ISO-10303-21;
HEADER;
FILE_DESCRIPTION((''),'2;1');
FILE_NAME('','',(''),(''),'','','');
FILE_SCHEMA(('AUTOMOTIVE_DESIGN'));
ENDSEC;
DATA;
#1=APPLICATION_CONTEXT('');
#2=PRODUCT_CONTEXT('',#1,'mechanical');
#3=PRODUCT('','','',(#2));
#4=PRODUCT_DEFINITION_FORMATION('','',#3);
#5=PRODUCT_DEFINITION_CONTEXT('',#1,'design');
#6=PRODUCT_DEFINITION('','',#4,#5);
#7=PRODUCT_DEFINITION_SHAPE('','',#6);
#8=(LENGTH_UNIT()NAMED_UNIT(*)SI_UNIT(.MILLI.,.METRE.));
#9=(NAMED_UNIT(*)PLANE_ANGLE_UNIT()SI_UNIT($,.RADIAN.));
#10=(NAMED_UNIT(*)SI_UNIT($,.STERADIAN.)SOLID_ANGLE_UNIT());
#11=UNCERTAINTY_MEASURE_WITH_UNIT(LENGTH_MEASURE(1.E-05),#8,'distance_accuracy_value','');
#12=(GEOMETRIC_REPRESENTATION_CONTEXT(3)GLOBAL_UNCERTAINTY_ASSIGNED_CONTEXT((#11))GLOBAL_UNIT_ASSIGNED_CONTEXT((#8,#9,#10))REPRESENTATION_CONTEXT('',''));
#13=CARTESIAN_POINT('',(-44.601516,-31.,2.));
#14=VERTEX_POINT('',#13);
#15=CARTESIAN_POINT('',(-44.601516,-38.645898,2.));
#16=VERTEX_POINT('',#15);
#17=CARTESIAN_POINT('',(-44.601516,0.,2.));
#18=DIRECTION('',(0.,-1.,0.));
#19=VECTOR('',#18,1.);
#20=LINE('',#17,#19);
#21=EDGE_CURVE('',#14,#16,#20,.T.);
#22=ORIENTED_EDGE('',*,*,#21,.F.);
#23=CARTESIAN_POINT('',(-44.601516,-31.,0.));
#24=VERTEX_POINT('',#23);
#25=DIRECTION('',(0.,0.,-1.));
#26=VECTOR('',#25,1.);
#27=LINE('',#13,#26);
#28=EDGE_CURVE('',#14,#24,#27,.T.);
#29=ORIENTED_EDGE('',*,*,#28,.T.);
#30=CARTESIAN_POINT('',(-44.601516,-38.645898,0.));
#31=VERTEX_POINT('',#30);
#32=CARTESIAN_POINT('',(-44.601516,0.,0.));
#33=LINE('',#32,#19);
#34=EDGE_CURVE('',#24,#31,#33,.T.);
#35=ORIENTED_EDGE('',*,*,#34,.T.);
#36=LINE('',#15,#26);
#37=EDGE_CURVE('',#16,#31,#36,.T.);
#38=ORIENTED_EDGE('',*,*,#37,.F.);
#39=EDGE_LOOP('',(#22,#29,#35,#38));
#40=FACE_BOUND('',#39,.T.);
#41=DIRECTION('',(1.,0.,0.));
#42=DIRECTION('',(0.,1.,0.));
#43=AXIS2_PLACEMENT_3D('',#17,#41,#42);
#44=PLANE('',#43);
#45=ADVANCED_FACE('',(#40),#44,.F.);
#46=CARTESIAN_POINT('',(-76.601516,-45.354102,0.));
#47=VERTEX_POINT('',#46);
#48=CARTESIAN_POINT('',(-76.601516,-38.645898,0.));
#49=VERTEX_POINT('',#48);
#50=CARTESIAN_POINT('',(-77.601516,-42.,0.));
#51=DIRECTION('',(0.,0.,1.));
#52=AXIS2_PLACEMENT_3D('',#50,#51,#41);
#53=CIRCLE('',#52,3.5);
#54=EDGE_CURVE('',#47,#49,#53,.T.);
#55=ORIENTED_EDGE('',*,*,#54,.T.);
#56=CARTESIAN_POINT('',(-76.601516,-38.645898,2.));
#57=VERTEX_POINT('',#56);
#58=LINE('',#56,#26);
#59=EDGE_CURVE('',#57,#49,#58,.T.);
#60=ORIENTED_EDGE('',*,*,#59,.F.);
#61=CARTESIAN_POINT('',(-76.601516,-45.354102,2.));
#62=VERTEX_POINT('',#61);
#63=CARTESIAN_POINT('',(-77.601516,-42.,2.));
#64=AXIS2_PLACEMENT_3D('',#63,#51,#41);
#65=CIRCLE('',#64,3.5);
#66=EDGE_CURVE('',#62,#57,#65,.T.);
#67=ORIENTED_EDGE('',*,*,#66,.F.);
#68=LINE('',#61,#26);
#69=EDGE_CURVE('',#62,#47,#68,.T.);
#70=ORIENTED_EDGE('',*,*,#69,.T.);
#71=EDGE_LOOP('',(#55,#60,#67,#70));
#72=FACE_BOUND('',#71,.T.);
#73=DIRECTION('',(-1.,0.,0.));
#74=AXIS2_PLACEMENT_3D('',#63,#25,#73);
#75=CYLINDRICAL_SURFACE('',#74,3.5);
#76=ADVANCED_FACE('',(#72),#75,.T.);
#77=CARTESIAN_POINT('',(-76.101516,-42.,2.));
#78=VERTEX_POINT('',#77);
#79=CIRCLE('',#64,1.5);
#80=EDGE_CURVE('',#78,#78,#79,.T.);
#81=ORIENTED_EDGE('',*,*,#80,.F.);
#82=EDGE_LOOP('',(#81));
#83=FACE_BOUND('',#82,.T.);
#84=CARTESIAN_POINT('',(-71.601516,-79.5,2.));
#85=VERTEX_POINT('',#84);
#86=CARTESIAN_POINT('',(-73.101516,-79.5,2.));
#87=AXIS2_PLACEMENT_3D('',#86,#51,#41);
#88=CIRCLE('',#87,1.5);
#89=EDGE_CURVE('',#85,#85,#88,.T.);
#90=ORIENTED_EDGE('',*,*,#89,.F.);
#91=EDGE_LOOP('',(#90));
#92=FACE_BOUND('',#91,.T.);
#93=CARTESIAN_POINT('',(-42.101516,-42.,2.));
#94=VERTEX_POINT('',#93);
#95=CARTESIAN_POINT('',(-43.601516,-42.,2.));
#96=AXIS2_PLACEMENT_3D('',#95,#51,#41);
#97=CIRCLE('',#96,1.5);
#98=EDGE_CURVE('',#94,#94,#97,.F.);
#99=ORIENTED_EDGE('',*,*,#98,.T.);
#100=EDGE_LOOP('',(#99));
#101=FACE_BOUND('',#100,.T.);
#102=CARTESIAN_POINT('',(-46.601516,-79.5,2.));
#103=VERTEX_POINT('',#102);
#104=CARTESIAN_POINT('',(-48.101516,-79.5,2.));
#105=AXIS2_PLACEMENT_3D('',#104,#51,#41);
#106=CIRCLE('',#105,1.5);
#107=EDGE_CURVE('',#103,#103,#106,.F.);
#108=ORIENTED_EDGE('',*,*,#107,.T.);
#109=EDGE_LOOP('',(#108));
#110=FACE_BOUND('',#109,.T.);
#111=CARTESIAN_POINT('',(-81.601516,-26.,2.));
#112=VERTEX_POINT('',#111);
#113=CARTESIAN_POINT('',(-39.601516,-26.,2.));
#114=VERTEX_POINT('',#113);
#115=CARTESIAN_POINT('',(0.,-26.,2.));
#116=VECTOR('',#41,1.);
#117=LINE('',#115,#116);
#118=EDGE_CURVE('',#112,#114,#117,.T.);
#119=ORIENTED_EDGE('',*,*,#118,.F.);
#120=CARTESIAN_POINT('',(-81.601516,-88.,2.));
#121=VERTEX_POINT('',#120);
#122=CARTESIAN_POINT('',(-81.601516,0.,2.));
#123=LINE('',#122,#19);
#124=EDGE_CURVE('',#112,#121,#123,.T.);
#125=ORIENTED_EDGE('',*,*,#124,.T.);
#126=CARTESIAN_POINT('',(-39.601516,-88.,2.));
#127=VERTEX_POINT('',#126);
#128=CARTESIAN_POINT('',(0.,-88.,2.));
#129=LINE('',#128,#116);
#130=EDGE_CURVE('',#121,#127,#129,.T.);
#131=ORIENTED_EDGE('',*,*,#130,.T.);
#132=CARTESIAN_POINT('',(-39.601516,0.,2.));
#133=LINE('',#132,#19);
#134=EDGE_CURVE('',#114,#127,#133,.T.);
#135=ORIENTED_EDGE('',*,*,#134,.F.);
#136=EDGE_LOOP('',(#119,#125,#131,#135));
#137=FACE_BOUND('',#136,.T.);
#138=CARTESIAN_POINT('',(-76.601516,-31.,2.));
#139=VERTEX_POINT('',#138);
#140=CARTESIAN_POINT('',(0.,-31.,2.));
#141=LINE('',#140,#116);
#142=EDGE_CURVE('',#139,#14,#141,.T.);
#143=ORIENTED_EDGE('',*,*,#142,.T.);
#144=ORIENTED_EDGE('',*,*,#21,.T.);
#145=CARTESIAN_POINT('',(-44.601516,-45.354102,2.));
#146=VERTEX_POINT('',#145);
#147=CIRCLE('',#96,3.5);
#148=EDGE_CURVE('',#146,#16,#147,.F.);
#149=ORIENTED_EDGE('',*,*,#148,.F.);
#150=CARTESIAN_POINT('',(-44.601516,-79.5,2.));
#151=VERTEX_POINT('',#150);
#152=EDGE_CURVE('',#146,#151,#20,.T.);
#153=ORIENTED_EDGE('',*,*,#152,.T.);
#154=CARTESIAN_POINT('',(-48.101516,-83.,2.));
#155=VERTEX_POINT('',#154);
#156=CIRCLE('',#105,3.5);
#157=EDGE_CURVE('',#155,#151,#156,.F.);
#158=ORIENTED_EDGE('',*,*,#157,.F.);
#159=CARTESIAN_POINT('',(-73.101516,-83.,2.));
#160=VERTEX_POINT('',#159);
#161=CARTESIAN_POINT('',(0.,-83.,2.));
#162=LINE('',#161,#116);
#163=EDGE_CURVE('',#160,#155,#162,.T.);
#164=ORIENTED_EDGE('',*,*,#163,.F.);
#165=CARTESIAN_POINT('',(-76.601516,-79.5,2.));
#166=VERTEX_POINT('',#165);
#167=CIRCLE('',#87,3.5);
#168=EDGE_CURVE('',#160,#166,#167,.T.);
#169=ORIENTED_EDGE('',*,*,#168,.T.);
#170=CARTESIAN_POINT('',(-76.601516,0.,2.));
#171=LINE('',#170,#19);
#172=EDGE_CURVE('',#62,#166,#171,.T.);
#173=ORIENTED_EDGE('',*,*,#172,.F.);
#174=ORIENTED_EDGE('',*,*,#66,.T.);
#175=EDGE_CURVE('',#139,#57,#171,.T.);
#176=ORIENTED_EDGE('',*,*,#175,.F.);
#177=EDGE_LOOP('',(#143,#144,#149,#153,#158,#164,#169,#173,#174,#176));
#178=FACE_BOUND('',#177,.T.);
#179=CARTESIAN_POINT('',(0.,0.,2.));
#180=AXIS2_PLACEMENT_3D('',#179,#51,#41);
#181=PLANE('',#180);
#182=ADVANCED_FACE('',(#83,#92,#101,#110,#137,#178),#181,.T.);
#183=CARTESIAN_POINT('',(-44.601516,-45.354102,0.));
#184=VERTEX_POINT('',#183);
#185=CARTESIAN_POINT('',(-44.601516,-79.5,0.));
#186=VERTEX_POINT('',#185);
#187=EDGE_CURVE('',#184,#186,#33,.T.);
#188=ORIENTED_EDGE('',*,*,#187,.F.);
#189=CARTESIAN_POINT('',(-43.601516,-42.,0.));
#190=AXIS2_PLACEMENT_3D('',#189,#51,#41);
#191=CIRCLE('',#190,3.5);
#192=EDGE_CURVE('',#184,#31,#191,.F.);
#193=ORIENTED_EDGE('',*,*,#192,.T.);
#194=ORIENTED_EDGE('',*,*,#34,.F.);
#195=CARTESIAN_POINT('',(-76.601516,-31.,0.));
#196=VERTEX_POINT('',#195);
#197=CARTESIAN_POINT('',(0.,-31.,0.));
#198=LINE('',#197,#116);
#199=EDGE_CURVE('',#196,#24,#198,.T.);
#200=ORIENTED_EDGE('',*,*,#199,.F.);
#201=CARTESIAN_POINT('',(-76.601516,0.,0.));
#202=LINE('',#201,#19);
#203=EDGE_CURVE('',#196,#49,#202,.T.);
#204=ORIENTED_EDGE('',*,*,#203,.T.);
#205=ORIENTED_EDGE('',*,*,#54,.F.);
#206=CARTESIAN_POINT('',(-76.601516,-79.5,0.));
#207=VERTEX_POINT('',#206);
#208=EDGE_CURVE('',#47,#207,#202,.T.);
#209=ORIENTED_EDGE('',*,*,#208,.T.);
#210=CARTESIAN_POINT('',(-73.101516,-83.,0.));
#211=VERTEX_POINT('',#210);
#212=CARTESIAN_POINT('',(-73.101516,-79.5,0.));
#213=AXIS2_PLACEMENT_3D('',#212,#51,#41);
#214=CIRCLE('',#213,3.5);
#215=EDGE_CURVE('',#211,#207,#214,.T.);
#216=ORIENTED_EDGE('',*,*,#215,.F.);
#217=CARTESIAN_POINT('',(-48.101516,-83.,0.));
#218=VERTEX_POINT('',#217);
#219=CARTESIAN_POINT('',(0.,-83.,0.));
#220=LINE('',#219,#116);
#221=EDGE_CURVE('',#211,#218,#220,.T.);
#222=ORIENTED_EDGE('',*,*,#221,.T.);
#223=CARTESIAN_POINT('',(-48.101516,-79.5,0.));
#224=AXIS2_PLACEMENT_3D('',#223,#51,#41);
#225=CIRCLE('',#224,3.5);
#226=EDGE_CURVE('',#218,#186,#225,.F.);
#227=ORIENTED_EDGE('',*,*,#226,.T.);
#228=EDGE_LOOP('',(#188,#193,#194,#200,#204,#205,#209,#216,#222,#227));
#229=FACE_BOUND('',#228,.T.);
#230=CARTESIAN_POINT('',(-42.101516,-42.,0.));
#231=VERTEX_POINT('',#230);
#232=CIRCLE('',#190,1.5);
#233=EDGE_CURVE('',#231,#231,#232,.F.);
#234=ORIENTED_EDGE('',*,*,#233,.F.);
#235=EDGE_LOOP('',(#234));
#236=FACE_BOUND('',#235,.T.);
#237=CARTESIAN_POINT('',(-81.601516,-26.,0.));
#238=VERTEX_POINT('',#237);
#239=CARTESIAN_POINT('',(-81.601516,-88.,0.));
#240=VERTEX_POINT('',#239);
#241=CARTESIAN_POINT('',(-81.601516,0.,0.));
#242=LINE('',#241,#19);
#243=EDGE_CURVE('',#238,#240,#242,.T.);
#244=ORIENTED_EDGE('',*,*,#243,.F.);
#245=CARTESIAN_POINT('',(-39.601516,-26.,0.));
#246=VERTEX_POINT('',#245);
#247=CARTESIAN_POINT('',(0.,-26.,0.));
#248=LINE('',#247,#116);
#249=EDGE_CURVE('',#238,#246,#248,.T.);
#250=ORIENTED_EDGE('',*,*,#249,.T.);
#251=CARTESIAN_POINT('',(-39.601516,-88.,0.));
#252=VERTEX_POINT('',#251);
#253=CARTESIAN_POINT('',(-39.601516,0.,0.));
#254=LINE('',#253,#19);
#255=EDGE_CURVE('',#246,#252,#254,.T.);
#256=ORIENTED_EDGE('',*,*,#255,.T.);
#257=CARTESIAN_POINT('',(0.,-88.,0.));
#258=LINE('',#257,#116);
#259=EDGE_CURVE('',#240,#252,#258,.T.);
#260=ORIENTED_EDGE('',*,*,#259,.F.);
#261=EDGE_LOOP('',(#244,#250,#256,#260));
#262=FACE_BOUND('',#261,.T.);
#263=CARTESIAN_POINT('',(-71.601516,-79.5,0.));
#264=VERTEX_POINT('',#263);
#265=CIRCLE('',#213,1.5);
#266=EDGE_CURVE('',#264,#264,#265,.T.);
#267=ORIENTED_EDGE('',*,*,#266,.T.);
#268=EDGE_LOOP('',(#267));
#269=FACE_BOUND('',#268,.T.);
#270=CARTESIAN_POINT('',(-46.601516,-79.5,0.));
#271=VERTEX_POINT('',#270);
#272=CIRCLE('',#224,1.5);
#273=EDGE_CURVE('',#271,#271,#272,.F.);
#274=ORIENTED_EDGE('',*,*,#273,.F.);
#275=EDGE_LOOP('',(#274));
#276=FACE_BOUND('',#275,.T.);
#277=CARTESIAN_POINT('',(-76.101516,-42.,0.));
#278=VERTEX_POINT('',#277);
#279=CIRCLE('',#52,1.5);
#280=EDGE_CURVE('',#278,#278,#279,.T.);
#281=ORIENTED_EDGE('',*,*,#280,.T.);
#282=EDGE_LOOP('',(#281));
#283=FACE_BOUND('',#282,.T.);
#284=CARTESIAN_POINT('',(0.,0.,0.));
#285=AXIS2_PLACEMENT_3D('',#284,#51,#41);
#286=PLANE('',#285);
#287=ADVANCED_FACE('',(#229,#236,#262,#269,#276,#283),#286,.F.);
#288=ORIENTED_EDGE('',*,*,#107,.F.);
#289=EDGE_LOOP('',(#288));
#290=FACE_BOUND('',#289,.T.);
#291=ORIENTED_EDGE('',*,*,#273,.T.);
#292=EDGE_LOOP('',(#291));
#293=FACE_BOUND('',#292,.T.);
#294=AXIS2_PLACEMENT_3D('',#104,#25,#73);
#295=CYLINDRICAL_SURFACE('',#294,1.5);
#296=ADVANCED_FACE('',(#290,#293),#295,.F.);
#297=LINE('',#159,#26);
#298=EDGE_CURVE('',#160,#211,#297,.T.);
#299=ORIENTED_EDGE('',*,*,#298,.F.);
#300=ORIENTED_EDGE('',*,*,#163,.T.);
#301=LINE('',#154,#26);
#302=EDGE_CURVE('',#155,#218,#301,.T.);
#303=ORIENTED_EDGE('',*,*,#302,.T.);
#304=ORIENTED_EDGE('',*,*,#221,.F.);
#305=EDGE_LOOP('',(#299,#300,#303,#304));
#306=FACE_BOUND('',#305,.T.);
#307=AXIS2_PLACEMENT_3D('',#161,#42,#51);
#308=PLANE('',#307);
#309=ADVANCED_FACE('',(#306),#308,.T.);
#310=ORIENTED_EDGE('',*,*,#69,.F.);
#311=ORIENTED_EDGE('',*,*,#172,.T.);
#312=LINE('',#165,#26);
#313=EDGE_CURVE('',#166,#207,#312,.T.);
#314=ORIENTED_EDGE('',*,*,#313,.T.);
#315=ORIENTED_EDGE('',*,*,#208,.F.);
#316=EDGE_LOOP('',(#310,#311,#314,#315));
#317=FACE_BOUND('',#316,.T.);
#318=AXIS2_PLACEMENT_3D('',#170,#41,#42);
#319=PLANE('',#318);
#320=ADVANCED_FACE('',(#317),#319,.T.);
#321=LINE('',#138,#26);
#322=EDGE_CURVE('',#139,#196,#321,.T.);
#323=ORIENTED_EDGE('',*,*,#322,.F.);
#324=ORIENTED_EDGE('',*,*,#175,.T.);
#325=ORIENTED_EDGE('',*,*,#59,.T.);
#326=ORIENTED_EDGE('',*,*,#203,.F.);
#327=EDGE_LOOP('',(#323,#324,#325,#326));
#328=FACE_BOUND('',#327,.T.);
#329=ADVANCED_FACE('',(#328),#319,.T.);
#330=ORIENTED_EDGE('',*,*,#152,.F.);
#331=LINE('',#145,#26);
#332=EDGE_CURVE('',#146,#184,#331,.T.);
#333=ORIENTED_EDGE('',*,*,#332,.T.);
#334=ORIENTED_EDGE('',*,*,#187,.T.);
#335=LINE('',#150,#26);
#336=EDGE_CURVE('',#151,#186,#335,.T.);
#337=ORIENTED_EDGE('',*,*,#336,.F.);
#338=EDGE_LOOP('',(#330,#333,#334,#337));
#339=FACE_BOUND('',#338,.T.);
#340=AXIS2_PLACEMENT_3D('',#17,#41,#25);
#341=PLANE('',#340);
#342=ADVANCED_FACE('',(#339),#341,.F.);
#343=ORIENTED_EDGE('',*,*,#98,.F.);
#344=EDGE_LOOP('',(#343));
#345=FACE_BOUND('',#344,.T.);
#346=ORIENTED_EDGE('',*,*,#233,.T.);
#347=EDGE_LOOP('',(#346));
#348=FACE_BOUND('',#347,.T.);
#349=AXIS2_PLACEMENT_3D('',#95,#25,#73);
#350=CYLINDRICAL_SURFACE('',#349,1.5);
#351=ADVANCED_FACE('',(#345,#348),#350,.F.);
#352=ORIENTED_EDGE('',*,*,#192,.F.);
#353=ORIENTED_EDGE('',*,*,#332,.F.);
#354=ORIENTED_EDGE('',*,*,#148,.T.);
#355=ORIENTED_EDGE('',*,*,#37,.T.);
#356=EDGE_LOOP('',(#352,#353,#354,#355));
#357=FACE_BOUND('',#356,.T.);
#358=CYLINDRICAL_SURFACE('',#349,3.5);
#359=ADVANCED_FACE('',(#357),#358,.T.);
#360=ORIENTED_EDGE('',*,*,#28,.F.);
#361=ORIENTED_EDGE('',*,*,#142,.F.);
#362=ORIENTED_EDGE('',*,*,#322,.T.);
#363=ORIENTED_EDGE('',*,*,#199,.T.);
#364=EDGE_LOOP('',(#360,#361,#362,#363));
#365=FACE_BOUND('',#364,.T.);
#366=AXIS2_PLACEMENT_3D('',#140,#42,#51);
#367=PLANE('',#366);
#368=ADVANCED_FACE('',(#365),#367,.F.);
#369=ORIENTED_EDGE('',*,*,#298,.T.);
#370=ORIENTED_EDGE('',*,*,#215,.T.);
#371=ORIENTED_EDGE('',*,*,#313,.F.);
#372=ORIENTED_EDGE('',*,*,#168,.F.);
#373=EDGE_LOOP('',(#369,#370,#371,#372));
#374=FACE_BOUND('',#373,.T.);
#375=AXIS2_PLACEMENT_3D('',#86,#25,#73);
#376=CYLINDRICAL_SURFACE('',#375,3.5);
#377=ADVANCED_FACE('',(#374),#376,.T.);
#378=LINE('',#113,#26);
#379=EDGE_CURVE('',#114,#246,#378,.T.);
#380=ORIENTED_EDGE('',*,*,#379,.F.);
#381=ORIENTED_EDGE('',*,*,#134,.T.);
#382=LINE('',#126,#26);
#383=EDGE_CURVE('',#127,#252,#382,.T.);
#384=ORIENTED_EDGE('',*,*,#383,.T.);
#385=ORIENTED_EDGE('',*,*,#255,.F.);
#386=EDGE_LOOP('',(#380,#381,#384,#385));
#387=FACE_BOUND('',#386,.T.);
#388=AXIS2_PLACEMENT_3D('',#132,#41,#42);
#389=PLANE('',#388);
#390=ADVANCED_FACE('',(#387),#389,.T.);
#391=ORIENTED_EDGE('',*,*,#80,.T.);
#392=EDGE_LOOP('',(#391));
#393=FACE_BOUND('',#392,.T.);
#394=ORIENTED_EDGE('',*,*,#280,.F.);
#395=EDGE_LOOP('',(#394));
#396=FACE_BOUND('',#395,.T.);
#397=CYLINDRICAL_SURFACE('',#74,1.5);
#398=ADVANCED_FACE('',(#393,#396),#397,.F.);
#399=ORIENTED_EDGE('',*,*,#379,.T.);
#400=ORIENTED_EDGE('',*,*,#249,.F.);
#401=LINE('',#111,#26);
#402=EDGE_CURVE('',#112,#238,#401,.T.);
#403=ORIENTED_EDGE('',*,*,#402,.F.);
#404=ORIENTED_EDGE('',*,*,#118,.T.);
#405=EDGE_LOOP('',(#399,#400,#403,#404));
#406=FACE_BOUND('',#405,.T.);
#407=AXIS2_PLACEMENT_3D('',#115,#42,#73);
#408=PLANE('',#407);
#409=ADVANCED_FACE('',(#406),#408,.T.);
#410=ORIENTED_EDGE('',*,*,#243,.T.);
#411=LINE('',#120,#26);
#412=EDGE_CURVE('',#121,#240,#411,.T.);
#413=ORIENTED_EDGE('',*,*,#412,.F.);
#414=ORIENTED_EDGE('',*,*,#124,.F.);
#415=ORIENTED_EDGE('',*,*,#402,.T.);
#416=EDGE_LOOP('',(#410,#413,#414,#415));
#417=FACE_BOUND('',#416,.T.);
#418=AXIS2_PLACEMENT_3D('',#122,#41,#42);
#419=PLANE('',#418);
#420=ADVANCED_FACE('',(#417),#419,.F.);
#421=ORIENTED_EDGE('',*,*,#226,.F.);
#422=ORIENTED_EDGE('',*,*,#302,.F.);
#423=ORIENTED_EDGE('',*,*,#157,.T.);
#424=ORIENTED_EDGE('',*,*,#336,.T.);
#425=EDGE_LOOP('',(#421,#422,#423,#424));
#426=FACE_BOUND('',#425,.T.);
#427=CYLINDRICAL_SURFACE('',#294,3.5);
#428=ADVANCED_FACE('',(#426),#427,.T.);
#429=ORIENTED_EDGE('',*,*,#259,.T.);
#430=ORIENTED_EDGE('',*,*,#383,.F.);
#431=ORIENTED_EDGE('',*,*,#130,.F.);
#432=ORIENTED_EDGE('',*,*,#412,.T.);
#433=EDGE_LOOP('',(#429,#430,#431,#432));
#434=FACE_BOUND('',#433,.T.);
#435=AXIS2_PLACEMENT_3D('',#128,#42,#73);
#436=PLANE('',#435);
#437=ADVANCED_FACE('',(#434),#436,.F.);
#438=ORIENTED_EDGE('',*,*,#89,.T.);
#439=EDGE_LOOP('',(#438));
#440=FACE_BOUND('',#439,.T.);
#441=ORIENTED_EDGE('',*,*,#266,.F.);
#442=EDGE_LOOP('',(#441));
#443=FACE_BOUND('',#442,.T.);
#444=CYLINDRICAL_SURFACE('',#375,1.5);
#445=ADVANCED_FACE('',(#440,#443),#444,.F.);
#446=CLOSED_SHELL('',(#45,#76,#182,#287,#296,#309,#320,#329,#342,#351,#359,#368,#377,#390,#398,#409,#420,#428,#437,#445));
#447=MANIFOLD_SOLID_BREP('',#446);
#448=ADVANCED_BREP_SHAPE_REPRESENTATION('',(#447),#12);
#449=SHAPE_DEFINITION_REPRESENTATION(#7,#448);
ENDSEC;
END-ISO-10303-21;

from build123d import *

# Parameters (mm, degrees)
SKETCH1_R           = 3.5
SKETCH1_R_2         = 1.5
BOSS_EXTRUDE1_DEPTH = 2


with BuildPart() as part:
    # Sketch1 → Boss-Extrude1 (new body)
    with BuildSketch(Plane.XY):
        with BuildLine():
            ThreePointArc((-73.101516296, -83), (-75.576390016, -81.974873749), (-76.601516296, -79.500000041))
            Line((-76.601516296, -79.500000041), (-76.601516296, -83))
            Line((-76.601516296, -83), (-73.101516296, -83))
        make_face()
        with Locations((-73.101516296, -79.5)):
            Circle(SKETCH1_R)
        with Locations((-73.101516296, -79.5)):
            Circle(SKETCH1_R_2, mode=Mode.SUBTRACT)
        with BuildLine():
            Line((-44.601516296, -83), (-44.601516296, -79.5))
            ThreePointArc((-44.601516296, -79.5), (-45.626642562, -81.974873734), (-48.101516296, -83))
            Line((-48.101516296, -83), (-44.601516296, -83))
        make_face()
        with Locations((-48.101516296, -79.5)):
            Circle(SKETCH1_R)
        with Locations((-48.101516296, -79.5)):
            Circle(SKETCH1_R_2, mode=Mode.SUBTRACT)
        with BuildLine():
            ThreePointArc((-76.601516296, -50.477288358), (-79.44300278, -53.809155179), (-81.601516296, -57.61916848))
            Line((-81.601516296, -57.61916848), (-81.601516296, -76.38083152))
            ThreePointArc((-81.601516296, -76.38083152), (-76.864972263, -83.263455967), (-69.982347816, -88))
            Line((-69.982347816, -88), (-51.220684776, -88))
            ThreePointArc((-51.220684776, -88), (-44.338060329, -83.263455967), (-39.601516296, -76.38083152))
            Line((-39.601516296, -76.38083152), (-39.601516296, -57.61916848))
            ThreePointArc((-39.601516296, -57.61916848), (-41.760029812, -53.809155179), (-44.601516296, -50.477288358))
            Line((-44.601516296, -50.477288358), (-44.601516296, -79.5))
            Line((-44.601516296, -79.5), (-44.601516296, -83))
            Line((-44.601516296, -83), (-48.101516296, -83))
            Line((-48.101516296, -83), (-73.101516296, -83))
            Line((-73.101516296, -83), (-76.601516296, -83))
            Line((-76.601516296, -83), (-76.601516296, -79.500000041))
            Line((-76.601516296, -79.500000041), (-76.601516296, -50.477288358))
        make_face()
        with BuildLine():
            ThreePointArc((-69.982347816, -88), (-76.864972263, -83.263455967), (-81.601516296, -76.38083152))
            Line((-81.601516296, -76.38083152), (-81.601516296, -88))
            Line((-81.601516296, -88), (-69.982347816, -88))
        make_face()
        with BuildLine():
            Line((-39.601516296, -88), (-39.601516296, -76.38083152))
            ThreePointArc((-39.601516296, -76.38083152), (-44.338060329, -83.263455967), (-51.220684776, -88))
            Line((-51.220684776, -88), (-39.601516296, -88))
        make_face()
        with BuildLine():
            Line((-39.601516296, -26), (-81.601516296, -26))
            Line((-81.601516296, -26), (-81.601516296, -57.61916848))
            ThreePointArc((-81.601516296, -57.61916848), (-79.44300278, -53.809155179), (-76.601516296, -50.477288358))
            Line((-76.601516296, -50.477288358), (-76.601516296, -45.354101966))
            ThreePointArc((-76.601516296, -45.354101966), (-74.101516296, -42), (-76.601516296, -38.645898034))
            Line((-76.601516296, -38.645898034), (-76.601516296, -31))
            Line((-76.601516296, -31), (-44.601516296, -31))
            Line((-44.601516296, -31), (-44.601516296, -38.645898034))
            ThreePointArc((-44.601516296, -38.645898034), (-47.101516296, -42), (-44.601516296, -45.354101966))
            Line((-44.601516296, -45.354101966), (-44.601516296, -50.477288358))
            ThreePointArc((-44.601516296, -50.477288358), (-41.760029812, -53.809155179), (-39.601516296, -57.61916848))
            Line((-39.601516296, -57.61916848), (-39.601516296, -26))
        make_face()
        with Locations((-77.601516296, -42)):
            Circle(SKETCH1_R_2, mode=Mode.SUBTRACT)
        with Locations((-43.601516296, -42)):
            Circle(SKETCH1_R_2, mode=Mode.SUBTRACT)
    extrude(amount=BOSS_EXTRUDE1_DEPTH)


solid = part.part
